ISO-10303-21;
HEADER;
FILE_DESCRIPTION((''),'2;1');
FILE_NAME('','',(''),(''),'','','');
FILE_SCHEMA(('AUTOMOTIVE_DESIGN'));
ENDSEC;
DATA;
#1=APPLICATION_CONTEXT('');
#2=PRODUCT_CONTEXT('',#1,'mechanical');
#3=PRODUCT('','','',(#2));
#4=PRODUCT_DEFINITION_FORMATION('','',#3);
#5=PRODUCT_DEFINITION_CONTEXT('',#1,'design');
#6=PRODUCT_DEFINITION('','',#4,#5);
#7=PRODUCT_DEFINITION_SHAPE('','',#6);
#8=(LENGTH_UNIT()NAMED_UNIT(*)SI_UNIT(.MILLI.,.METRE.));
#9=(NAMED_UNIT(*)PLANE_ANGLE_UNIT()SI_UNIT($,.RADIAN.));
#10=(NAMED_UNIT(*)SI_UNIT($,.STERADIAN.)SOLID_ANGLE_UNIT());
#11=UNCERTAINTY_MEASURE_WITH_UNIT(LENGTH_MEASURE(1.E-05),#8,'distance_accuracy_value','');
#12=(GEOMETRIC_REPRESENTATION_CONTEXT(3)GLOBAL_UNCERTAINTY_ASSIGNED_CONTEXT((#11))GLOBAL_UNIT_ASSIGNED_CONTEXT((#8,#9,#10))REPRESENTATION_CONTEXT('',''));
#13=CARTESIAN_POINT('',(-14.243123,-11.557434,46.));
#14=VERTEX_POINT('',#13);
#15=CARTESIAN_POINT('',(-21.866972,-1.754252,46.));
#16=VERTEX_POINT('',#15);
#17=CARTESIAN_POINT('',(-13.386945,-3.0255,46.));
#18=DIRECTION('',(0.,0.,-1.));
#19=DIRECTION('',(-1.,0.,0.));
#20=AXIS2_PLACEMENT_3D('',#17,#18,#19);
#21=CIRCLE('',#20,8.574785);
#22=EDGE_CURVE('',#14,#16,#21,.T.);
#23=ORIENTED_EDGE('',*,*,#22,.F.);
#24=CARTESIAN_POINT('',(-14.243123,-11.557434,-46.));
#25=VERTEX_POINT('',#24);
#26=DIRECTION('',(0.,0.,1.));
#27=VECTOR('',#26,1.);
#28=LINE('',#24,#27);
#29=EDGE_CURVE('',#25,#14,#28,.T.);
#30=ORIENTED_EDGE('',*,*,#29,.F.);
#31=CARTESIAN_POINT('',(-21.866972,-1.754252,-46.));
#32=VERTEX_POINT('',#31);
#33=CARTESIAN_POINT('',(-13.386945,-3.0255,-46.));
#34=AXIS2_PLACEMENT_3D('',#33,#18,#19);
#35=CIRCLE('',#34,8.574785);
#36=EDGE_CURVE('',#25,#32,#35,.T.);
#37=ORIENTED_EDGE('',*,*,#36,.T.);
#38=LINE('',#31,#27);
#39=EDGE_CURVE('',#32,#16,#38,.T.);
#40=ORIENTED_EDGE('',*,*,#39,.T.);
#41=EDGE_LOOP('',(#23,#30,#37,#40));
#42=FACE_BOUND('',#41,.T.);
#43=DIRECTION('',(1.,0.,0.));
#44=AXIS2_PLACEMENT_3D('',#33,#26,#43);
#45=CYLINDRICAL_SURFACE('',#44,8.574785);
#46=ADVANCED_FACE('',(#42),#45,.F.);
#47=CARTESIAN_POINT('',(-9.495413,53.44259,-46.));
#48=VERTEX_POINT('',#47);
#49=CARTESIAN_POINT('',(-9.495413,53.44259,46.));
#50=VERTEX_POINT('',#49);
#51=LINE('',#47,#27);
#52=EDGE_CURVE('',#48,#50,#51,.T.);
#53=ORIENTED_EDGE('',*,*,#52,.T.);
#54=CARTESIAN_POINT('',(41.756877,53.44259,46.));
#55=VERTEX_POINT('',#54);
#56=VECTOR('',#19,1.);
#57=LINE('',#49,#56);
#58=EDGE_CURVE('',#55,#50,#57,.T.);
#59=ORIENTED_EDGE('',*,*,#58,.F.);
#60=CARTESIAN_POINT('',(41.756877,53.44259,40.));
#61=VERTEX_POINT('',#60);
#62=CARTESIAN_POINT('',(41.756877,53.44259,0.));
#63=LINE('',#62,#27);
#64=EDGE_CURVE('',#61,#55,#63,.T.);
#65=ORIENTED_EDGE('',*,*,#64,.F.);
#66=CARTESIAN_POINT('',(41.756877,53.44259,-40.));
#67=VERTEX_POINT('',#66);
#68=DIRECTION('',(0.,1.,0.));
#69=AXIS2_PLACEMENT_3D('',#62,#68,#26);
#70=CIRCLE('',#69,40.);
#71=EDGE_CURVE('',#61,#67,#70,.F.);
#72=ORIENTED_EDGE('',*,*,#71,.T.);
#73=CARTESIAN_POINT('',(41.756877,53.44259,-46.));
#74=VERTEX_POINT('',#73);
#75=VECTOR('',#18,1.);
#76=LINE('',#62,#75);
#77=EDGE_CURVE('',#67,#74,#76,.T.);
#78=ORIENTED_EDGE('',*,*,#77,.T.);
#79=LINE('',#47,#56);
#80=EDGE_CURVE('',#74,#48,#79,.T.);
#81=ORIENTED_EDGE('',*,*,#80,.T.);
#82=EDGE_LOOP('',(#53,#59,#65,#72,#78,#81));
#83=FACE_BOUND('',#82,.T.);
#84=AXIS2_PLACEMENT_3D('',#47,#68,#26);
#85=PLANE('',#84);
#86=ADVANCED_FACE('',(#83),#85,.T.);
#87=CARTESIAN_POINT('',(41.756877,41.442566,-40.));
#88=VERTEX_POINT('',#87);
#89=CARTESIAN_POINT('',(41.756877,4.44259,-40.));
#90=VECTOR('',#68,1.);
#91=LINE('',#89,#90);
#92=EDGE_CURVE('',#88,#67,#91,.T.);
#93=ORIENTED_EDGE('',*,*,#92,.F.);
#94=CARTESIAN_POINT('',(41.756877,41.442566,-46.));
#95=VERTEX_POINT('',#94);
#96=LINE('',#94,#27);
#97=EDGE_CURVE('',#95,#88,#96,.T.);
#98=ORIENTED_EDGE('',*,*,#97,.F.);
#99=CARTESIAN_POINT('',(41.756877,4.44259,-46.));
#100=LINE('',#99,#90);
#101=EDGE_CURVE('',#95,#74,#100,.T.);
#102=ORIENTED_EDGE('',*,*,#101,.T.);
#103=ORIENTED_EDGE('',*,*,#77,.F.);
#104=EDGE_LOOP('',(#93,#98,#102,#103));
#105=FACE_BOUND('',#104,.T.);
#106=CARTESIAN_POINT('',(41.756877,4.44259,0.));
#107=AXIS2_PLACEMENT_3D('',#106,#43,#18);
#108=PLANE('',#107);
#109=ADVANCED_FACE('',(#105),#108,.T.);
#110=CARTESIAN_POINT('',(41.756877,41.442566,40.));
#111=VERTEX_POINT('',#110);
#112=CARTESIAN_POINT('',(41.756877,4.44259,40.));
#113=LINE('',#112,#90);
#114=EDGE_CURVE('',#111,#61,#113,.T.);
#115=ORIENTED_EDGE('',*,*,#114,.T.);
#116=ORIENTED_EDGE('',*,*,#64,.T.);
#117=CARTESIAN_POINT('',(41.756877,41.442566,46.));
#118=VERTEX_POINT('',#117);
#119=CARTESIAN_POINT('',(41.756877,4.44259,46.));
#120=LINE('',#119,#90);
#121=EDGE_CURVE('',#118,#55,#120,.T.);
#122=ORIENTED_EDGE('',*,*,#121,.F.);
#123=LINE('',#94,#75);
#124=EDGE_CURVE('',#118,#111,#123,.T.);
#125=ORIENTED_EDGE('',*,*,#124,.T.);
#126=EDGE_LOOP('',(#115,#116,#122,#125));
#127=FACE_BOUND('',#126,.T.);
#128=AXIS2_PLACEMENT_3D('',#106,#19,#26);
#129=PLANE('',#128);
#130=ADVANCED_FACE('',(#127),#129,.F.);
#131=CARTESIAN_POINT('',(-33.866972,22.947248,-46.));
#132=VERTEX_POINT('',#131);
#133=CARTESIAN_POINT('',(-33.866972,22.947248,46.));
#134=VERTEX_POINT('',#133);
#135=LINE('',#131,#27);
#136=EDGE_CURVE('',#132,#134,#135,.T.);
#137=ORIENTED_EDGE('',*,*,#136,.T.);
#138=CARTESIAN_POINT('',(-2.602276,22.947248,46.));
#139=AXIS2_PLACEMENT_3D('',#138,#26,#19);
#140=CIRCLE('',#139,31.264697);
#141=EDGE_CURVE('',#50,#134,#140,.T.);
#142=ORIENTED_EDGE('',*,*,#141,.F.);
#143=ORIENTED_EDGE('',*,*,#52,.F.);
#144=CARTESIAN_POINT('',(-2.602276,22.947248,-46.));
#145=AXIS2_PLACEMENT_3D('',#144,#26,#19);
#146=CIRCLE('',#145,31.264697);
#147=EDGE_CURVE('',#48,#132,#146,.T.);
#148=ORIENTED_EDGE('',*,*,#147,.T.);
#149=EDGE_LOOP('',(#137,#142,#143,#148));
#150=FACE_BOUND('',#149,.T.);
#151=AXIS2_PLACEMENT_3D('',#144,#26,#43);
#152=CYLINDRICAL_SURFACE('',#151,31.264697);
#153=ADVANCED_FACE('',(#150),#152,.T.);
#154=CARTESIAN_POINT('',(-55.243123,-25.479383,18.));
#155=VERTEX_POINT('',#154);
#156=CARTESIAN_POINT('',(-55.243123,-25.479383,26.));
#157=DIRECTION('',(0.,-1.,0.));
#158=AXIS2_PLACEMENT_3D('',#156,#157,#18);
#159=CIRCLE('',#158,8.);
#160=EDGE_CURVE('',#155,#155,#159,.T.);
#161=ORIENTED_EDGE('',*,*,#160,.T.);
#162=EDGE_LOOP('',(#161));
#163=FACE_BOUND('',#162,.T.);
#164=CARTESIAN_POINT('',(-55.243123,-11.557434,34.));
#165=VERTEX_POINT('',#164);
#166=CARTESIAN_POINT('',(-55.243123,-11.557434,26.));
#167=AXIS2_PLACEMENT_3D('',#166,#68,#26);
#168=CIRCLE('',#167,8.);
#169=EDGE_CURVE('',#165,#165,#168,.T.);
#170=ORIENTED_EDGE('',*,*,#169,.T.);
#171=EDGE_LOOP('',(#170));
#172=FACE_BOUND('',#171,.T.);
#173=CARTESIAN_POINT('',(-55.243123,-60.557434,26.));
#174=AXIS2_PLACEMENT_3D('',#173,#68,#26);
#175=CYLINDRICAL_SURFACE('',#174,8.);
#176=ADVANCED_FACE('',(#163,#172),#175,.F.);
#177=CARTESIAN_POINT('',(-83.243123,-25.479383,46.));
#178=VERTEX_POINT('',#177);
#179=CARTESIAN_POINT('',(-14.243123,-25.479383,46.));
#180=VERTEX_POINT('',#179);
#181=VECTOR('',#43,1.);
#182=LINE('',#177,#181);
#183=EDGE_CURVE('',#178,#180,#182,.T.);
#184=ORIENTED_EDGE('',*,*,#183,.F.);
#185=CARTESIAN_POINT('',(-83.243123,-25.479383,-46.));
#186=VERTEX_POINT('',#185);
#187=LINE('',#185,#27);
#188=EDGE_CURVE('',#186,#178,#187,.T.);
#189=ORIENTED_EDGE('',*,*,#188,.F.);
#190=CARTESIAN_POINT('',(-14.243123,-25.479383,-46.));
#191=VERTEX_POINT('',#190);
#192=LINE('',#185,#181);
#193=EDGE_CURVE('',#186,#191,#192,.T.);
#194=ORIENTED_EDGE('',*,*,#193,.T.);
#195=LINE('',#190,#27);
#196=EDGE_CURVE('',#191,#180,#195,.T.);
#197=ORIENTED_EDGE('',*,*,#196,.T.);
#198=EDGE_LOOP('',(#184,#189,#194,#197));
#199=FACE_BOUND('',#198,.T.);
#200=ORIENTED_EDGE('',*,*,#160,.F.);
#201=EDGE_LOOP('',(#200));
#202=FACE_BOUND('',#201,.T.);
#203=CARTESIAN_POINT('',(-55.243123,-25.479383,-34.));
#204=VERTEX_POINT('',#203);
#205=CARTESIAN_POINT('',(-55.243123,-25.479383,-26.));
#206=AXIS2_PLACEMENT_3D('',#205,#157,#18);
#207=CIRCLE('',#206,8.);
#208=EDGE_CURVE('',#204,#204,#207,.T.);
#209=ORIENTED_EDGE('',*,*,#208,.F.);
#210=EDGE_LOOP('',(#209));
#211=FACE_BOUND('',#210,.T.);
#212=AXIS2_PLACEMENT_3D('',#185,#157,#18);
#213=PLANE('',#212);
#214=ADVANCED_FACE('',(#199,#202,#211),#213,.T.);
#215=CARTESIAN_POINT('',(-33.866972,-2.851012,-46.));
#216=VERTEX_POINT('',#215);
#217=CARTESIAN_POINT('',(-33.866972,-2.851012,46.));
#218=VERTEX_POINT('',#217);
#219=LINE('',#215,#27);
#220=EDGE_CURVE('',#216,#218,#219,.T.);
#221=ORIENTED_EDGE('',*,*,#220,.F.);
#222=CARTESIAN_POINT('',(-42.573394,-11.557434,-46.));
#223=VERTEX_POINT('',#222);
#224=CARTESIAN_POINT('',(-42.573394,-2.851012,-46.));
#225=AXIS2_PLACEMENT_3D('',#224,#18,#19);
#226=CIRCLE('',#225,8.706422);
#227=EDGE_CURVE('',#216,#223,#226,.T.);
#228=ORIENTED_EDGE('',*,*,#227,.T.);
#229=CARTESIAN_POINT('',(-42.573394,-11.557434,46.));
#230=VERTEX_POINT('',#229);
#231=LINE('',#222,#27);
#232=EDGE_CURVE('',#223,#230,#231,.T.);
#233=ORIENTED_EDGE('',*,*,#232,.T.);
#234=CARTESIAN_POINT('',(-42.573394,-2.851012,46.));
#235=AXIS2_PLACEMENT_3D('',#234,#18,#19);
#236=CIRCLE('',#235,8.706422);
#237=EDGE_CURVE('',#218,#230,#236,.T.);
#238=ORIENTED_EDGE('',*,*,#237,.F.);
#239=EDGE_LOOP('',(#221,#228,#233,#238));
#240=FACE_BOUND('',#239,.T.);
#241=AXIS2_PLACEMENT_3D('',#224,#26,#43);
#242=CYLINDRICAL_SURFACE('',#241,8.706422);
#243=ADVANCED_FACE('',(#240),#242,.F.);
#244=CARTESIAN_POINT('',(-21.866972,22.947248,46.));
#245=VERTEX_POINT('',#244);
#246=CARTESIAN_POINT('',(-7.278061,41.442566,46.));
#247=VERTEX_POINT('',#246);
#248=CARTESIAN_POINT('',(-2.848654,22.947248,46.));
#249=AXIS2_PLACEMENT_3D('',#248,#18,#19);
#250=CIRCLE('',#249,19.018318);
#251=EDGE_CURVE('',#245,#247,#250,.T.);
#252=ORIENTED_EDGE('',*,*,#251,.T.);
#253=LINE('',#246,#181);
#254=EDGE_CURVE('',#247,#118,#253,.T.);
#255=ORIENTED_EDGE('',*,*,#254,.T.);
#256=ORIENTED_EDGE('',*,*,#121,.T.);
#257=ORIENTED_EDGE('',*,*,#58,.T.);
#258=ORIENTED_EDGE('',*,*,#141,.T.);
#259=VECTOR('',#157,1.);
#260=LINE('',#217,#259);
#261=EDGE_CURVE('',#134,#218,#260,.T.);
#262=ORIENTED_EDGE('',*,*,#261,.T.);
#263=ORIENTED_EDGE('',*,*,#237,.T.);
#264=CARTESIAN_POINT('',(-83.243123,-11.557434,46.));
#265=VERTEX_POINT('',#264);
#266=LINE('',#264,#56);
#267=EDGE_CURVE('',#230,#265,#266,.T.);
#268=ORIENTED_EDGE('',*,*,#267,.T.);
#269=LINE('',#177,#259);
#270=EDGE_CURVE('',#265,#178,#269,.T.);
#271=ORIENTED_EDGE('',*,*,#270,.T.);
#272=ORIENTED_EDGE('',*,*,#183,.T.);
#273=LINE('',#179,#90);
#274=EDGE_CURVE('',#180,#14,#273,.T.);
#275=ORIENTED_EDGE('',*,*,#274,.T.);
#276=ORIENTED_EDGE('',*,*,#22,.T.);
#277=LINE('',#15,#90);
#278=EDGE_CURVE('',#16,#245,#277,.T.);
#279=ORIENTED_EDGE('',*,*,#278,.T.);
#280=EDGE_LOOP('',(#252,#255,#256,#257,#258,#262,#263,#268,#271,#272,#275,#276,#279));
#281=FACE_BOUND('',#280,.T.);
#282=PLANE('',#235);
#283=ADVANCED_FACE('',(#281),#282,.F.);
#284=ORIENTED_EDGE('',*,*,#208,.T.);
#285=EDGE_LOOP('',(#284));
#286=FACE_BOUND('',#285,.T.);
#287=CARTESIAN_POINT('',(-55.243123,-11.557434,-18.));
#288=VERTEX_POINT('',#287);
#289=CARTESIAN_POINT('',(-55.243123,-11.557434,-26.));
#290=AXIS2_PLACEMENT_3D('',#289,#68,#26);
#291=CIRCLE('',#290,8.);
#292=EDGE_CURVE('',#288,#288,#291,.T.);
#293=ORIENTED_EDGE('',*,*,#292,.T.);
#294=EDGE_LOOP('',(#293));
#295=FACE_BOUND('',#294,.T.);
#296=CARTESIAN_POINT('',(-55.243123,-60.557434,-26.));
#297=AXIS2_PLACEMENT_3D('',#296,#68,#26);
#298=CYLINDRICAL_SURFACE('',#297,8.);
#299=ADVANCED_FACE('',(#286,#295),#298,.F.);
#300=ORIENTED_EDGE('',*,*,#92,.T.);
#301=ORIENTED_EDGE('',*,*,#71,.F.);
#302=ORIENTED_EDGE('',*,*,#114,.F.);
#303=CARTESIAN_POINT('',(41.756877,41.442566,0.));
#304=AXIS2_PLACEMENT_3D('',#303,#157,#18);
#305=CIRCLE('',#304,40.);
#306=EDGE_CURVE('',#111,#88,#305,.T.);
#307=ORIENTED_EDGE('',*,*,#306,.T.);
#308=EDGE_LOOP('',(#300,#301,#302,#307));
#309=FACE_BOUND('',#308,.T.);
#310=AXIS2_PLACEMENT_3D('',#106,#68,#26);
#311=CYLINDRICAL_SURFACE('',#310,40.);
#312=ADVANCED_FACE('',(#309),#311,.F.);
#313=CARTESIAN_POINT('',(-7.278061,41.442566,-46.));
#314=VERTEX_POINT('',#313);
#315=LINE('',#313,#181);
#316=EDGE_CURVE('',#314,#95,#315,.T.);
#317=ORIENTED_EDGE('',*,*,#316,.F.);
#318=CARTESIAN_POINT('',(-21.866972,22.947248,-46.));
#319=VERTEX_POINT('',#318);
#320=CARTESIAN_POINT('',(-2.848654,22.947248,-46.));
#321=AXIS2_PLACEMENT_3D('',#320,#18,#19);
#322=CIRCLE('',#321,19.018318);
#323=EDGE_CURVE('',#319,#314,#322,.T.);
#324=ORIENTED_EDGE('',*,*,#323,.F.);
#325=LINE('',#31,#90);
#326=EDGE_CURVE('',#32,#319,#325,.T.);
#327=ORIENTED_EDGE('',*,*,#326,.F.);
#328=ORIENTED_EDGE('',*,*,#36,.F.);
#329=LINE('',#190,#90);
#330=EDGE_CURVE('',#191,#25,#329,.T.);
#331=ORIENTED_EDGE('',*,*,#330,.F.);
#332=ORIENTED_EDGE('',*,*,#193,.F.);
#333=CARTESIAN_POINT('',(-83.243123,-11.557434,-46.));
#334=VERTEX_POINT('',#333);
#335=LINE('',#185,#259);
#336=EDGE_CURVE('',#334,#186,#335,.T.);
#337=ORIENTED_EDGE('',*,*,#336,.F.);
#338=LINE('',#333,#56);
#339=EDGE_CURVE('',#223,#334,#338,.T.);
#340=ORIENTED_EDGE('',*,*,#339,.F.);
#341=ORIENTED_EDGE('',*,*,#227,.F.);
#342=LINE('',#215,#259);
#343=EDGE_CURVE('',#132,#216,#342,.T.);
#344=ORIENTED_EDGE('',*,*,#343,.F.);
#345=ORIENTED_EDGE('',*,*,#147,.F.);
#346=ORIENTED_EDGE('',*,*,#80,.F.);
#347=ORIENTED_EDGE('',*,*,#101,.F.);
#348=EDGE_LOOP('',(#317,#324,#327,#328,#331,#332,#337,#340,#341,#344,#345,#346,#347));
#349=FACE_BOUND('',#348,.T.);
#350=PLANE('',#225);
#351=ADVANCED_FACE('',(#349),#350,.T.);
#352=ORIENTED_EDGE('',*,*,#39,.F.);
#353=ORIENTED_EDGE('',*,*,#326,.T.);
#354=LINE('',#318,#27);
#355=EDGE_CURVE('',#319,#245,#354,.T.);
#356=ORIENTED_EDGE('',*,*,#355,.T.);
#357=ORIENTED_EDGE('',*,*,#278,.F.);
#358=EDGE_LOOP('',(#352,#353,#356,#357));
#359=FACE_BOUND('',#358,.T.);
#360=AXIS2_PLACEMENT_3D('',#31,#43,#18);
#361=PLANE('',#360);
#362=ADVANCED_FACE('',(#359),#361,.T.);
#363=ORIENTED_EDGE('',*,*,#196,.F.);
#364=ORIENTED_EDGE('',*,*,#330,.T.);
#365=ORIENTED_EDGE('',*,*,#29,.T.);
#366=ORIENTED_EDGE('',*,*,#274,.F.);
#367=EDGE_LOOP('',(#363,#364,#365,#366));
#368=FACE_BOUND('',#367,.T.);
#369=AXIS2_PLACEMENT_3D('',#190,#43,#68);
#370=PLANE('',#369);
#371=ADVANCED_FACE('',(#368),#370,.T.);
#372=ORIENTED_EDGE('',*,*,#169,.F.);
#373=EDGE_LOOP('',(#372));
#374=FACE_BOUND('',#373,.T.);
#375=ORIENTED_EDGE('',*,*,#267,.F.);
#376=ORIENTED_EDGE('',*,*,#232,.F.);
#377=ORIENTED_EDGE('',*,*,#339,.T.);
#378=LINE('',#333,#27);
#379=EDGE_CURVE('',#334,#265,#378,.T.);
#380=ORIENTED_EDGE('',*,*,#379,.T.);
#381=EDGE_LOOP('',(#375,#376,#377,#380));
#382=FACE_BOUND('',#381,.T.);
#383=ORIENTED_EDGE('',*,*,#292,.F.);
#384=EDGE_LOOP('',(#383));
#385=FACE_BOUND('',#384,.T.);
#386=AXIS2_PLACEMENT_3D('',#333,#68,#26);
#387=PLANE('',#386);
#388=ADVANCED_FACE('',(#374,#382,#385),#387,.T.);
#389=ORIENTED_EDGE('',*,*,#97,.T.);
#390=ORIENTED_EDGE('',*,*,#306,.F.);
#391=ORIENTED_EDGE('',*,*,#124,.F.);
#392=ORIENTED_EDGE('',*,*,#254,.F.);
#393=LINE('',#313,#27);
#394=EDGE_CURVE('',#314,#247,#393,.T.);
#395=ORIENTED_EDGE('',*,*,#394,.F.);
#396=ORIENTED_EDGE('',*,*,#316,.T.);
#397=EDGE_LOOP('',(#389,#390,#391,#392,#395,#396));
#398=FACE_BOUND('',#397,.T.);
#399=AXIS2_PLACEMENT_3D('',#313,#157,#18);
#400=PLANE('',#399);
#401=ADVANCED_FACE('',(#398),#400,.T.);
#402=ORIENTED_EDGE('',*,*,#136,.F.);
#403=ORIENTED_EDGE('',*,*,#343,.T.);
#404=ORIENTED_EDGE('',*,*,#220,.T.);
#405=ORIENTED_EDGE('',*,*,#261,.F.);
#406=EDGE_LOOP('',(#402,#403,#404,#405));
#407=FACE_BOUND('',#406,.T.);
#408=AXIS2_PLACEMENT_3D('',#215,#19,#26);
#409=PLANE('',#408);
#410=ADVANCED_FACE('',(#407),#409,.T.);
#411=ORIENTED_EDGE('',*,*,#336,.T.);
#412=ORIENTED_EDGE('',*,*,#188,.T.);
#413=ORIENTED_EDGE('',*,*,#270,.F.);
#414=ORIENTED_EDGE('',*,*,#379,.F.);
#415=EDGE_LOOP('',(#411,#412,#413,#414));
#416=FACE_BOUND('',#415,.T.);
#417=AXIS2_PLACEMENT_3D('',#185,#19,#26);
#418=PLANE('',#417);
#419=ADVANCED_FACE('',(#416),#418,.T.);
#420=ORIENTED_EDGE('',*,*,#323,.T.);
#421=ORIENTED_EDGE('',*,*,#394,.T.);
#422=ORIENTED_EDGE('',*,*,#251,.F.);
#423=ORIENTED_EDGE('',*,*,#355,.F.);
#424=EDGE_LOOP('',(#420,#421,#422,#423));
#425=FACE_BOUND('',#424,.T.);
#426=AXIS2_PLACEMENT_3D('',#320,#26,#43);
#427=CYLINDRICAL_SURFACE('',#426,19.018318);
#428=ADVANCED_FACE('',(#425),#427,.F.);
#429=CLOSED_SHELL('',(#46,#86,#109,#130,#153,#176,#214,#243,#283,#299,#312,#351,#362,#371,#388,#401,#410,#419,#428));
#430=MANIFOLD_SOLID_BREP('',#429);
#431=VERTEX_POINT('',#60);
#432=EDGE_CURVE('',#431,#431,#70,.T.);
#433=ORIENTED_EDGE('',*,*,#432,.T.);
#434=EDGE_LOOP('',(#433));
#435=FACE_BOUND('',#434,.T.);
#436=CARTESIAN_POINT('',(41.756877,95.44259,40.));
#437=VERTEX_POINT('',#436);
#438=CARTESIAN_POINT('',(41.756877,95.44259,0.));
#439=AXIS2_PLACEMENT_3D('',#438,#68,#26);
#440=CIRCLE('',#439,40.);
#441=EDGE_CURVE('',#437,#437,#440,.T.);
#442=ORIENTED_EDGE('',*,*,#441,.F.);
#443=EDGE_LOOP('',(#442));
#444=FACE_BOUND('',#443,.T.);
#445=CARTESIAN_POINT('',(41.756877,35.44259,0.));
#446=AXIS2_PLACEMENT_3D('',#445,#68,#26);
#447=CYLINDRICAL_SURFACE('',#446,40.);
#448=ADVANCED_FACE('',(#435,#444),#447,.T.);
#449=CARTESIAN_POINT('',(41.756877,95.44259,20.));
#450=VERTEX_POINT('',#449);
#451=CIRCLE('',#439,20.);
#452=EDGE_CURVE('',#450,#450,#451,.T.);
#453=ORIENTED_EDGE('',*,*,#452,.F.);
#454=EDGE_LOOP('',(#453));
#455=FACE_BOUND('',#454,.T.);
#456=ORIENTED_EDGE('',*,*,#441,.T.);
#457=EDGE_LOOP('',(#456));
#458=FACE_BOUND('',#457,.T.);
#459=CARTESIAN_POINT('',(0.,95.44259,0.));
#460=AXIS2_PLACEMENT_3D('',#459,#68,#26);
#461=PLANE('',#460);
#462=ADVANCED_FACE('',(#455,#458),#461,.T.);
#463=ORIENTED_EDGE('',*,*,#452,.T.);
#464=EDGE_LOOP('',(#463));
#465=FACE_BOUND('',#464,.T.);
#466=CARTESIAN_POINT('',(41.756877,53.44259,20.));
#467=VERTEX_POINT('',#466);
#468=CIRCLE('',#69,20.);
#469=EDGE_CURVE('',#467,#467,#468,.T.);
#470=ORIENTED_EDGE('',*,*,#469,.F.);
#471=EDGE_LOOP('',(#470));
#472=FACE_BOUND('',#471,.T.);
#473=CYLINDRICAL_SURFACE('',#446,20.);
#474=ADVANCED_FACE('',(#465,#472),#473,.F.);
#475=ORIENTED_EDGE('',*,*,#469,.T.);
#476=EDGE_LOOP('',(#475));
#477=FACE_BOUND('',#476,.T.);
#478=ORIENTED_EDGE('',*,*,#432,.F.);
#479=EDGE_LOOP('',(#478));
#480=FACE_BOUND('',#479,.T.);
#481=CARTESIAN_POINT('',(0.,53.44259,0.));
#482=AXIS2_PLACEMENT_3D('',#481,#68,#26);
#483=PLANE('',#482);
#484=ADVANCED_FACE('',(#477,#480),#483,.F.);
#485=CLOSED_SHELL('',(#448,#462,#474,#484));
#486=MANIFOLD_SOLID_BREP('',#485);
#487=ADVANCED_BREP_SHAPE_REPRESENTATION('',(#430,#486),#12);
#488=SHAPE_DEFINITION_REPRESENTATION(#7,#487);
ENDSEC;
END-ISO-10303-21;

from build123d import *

# Parameters (mm, degrees)
BOSS_EXTRUDE4_DEPTH      = 46
BOSS_EXTRUDE4_DEPTH_BACK = 46
BOSS_EXTRUDE7_DEPTH      = 42
BOSS_EXTRUDE7_DEPTH_BACK = 18
SKETCH4_R                = 20
CUT_EXTRUDE6_DEPTH       = 49
SKETCH3_R                = 8
CUT_EXTRUDE7_DEPTH       = 49


with BuildPart() as part:
    # Sketch1 → Boss-Extrude4 (new, two sides: drawn at the far end of the back side and taken through both)
    with BuildSketch(Plane.XY.offset(-BOSS_EXTRUDE4_DEPTH_BACK)):
        with BuildLine():
            Line((-83.24312297, -25.479382505), (-14.24312297, -25.479382505))
            Line((-14.24312297, -25.479382505), (-14.24312297, -11.557434351))
            ThreePointArc((-14.24312297, -11.557434351), (-20.155754423, -8.289544205), (-21.866972477, -1.754251597))
            Line((-21.866972477, -1.754251597), (-21.866972477, 22.947247706))
            ThreePointArc((-21.866972477, 22.947247706), (-17.780772391, 34.725544597), (-7.278061456, 41.442565649))
            Line((-7.278061456, 41.442565649), (87.990821984, 41.442565649))
            Line((87.990821984, 41.442565649), (87.990821984, 53.442590356))
            Line((87.990821984, 53.442590356), (-9.495412844, 53.442590356))
            ThreePointArc((-9.495412844, 53.442590356), (-27.025554627, 42.466077348), (-33.866972477, 22.947247706))
            Line((-33.866972477, 22.947247706), (-33.866972477, -2.851012333))
            ThreePointArc((-33.866972477, -2.851012333), (-36.417024446, -9.007382382), (-42.573394495, -11.557434351))
            Line((-42.573394495, -11.557434351), (-83.24312297, -11.557434351))
            Line((-83.24312297, -11.557434351), (-83.24312297, -25.479382505))
        make_face()
    extrude(amount=BOSS_EXTRUDE4_DEPTH + BOSS_EXTRUDE4_DEPTH_BACK)

    # Sketch4 → Boss-Extrude7 (add, two sides: drawn at the far end of the back side and taken through both)
    with BuildSketch(Plane(origin=(0, 53.442590356, 0), x_dir=(1, 0, 0), z_dir=(0, 1, 0)).offset(-BOSS_EXTRUDE7_DEPTH_BACK)):
        with BuildLine():
            ThreePointArc((41.75687703, -40), (70.041148278, -28.284271247), (81.75687703, 0))
            ThreePointArc((81.75687703, 0), (70.041148278, 28.284271247), (41.75687703, 40))
            ThreePointArc((41.75687703, 40), (1.75687703, 0), (41.75687703, -40))
        make_face()
        with Locations((41.75687703, 0)):
            Circle(SKETCH4_R, mode=Mode.SUBTRACT)
    extrude(amount=BOSS_EXTRUDE7_DEPTH + BOSS_EXTRUDE7_DEPTH_BACK)

    # Sketch5 → Cut-Extrude6 (cut)
    with BuildSketch(Plane(origin=(0, 53.442590356, 0), x_dir=(1, 0, 0), z_dir=(0, 1, 0))):
        with BuildLine():
            Line((41.75687703, 46), (41.75687703, 40))
            ThreePointArc((41.75687703, 40), (1.75687703, 0), (41.75687703, -40))
            Line((41.75687703, -40), (41.75687703, -46))
            Line((41.75687703, -46), (87.990821984, -46))
            Line((87.990821984, -46), (87.990821984, 46))
            Line((87.990821984, 46), (41.75687703, 46))
        make_face()
    extrude(amount=-CUT_EXTRUDE6_DEPTH, mode=Mode.SUBTRACT)


with BuildPart() as cut_extrude6_piece_1:
    # of the separate pieces the step leaves, piece 1, a body of its own (cut_extrude6_pieces)
    add(part.part.solids().sort_by_distance((-42.573394495, -11.557434351, 46))[0])

    # Sketch3 → Cut-Extrude7 (cut)
    with BuildSketch(Plane(origin=(0, -11.557434351, 0), x_dir=(1, 0, 0), z_dir=(0, 1, 0))):
        with Locations((-55.24312297, 26)):
            Circle(SKETCH3_R)
        with Locations((-55.24312297, -26)):
            Circle(SKETCH3_R)
    extrude(amount=-CUT_EXTRUDE7_DEPTH, mode=Mode.SUBTRACT)


with BuildPart() as cut_extrude6_piece_2:
    # of the separate pieces the step leaves, piece 2, a body of its own (cut_extrude6_pieces)
    add(part.part.solids().sort_by_distance((41.75687703, 95.442590356, -40))[0])


solid = Compound([cut_extrude6_piece_1.part, cut_extrude6_piece_2.part])
